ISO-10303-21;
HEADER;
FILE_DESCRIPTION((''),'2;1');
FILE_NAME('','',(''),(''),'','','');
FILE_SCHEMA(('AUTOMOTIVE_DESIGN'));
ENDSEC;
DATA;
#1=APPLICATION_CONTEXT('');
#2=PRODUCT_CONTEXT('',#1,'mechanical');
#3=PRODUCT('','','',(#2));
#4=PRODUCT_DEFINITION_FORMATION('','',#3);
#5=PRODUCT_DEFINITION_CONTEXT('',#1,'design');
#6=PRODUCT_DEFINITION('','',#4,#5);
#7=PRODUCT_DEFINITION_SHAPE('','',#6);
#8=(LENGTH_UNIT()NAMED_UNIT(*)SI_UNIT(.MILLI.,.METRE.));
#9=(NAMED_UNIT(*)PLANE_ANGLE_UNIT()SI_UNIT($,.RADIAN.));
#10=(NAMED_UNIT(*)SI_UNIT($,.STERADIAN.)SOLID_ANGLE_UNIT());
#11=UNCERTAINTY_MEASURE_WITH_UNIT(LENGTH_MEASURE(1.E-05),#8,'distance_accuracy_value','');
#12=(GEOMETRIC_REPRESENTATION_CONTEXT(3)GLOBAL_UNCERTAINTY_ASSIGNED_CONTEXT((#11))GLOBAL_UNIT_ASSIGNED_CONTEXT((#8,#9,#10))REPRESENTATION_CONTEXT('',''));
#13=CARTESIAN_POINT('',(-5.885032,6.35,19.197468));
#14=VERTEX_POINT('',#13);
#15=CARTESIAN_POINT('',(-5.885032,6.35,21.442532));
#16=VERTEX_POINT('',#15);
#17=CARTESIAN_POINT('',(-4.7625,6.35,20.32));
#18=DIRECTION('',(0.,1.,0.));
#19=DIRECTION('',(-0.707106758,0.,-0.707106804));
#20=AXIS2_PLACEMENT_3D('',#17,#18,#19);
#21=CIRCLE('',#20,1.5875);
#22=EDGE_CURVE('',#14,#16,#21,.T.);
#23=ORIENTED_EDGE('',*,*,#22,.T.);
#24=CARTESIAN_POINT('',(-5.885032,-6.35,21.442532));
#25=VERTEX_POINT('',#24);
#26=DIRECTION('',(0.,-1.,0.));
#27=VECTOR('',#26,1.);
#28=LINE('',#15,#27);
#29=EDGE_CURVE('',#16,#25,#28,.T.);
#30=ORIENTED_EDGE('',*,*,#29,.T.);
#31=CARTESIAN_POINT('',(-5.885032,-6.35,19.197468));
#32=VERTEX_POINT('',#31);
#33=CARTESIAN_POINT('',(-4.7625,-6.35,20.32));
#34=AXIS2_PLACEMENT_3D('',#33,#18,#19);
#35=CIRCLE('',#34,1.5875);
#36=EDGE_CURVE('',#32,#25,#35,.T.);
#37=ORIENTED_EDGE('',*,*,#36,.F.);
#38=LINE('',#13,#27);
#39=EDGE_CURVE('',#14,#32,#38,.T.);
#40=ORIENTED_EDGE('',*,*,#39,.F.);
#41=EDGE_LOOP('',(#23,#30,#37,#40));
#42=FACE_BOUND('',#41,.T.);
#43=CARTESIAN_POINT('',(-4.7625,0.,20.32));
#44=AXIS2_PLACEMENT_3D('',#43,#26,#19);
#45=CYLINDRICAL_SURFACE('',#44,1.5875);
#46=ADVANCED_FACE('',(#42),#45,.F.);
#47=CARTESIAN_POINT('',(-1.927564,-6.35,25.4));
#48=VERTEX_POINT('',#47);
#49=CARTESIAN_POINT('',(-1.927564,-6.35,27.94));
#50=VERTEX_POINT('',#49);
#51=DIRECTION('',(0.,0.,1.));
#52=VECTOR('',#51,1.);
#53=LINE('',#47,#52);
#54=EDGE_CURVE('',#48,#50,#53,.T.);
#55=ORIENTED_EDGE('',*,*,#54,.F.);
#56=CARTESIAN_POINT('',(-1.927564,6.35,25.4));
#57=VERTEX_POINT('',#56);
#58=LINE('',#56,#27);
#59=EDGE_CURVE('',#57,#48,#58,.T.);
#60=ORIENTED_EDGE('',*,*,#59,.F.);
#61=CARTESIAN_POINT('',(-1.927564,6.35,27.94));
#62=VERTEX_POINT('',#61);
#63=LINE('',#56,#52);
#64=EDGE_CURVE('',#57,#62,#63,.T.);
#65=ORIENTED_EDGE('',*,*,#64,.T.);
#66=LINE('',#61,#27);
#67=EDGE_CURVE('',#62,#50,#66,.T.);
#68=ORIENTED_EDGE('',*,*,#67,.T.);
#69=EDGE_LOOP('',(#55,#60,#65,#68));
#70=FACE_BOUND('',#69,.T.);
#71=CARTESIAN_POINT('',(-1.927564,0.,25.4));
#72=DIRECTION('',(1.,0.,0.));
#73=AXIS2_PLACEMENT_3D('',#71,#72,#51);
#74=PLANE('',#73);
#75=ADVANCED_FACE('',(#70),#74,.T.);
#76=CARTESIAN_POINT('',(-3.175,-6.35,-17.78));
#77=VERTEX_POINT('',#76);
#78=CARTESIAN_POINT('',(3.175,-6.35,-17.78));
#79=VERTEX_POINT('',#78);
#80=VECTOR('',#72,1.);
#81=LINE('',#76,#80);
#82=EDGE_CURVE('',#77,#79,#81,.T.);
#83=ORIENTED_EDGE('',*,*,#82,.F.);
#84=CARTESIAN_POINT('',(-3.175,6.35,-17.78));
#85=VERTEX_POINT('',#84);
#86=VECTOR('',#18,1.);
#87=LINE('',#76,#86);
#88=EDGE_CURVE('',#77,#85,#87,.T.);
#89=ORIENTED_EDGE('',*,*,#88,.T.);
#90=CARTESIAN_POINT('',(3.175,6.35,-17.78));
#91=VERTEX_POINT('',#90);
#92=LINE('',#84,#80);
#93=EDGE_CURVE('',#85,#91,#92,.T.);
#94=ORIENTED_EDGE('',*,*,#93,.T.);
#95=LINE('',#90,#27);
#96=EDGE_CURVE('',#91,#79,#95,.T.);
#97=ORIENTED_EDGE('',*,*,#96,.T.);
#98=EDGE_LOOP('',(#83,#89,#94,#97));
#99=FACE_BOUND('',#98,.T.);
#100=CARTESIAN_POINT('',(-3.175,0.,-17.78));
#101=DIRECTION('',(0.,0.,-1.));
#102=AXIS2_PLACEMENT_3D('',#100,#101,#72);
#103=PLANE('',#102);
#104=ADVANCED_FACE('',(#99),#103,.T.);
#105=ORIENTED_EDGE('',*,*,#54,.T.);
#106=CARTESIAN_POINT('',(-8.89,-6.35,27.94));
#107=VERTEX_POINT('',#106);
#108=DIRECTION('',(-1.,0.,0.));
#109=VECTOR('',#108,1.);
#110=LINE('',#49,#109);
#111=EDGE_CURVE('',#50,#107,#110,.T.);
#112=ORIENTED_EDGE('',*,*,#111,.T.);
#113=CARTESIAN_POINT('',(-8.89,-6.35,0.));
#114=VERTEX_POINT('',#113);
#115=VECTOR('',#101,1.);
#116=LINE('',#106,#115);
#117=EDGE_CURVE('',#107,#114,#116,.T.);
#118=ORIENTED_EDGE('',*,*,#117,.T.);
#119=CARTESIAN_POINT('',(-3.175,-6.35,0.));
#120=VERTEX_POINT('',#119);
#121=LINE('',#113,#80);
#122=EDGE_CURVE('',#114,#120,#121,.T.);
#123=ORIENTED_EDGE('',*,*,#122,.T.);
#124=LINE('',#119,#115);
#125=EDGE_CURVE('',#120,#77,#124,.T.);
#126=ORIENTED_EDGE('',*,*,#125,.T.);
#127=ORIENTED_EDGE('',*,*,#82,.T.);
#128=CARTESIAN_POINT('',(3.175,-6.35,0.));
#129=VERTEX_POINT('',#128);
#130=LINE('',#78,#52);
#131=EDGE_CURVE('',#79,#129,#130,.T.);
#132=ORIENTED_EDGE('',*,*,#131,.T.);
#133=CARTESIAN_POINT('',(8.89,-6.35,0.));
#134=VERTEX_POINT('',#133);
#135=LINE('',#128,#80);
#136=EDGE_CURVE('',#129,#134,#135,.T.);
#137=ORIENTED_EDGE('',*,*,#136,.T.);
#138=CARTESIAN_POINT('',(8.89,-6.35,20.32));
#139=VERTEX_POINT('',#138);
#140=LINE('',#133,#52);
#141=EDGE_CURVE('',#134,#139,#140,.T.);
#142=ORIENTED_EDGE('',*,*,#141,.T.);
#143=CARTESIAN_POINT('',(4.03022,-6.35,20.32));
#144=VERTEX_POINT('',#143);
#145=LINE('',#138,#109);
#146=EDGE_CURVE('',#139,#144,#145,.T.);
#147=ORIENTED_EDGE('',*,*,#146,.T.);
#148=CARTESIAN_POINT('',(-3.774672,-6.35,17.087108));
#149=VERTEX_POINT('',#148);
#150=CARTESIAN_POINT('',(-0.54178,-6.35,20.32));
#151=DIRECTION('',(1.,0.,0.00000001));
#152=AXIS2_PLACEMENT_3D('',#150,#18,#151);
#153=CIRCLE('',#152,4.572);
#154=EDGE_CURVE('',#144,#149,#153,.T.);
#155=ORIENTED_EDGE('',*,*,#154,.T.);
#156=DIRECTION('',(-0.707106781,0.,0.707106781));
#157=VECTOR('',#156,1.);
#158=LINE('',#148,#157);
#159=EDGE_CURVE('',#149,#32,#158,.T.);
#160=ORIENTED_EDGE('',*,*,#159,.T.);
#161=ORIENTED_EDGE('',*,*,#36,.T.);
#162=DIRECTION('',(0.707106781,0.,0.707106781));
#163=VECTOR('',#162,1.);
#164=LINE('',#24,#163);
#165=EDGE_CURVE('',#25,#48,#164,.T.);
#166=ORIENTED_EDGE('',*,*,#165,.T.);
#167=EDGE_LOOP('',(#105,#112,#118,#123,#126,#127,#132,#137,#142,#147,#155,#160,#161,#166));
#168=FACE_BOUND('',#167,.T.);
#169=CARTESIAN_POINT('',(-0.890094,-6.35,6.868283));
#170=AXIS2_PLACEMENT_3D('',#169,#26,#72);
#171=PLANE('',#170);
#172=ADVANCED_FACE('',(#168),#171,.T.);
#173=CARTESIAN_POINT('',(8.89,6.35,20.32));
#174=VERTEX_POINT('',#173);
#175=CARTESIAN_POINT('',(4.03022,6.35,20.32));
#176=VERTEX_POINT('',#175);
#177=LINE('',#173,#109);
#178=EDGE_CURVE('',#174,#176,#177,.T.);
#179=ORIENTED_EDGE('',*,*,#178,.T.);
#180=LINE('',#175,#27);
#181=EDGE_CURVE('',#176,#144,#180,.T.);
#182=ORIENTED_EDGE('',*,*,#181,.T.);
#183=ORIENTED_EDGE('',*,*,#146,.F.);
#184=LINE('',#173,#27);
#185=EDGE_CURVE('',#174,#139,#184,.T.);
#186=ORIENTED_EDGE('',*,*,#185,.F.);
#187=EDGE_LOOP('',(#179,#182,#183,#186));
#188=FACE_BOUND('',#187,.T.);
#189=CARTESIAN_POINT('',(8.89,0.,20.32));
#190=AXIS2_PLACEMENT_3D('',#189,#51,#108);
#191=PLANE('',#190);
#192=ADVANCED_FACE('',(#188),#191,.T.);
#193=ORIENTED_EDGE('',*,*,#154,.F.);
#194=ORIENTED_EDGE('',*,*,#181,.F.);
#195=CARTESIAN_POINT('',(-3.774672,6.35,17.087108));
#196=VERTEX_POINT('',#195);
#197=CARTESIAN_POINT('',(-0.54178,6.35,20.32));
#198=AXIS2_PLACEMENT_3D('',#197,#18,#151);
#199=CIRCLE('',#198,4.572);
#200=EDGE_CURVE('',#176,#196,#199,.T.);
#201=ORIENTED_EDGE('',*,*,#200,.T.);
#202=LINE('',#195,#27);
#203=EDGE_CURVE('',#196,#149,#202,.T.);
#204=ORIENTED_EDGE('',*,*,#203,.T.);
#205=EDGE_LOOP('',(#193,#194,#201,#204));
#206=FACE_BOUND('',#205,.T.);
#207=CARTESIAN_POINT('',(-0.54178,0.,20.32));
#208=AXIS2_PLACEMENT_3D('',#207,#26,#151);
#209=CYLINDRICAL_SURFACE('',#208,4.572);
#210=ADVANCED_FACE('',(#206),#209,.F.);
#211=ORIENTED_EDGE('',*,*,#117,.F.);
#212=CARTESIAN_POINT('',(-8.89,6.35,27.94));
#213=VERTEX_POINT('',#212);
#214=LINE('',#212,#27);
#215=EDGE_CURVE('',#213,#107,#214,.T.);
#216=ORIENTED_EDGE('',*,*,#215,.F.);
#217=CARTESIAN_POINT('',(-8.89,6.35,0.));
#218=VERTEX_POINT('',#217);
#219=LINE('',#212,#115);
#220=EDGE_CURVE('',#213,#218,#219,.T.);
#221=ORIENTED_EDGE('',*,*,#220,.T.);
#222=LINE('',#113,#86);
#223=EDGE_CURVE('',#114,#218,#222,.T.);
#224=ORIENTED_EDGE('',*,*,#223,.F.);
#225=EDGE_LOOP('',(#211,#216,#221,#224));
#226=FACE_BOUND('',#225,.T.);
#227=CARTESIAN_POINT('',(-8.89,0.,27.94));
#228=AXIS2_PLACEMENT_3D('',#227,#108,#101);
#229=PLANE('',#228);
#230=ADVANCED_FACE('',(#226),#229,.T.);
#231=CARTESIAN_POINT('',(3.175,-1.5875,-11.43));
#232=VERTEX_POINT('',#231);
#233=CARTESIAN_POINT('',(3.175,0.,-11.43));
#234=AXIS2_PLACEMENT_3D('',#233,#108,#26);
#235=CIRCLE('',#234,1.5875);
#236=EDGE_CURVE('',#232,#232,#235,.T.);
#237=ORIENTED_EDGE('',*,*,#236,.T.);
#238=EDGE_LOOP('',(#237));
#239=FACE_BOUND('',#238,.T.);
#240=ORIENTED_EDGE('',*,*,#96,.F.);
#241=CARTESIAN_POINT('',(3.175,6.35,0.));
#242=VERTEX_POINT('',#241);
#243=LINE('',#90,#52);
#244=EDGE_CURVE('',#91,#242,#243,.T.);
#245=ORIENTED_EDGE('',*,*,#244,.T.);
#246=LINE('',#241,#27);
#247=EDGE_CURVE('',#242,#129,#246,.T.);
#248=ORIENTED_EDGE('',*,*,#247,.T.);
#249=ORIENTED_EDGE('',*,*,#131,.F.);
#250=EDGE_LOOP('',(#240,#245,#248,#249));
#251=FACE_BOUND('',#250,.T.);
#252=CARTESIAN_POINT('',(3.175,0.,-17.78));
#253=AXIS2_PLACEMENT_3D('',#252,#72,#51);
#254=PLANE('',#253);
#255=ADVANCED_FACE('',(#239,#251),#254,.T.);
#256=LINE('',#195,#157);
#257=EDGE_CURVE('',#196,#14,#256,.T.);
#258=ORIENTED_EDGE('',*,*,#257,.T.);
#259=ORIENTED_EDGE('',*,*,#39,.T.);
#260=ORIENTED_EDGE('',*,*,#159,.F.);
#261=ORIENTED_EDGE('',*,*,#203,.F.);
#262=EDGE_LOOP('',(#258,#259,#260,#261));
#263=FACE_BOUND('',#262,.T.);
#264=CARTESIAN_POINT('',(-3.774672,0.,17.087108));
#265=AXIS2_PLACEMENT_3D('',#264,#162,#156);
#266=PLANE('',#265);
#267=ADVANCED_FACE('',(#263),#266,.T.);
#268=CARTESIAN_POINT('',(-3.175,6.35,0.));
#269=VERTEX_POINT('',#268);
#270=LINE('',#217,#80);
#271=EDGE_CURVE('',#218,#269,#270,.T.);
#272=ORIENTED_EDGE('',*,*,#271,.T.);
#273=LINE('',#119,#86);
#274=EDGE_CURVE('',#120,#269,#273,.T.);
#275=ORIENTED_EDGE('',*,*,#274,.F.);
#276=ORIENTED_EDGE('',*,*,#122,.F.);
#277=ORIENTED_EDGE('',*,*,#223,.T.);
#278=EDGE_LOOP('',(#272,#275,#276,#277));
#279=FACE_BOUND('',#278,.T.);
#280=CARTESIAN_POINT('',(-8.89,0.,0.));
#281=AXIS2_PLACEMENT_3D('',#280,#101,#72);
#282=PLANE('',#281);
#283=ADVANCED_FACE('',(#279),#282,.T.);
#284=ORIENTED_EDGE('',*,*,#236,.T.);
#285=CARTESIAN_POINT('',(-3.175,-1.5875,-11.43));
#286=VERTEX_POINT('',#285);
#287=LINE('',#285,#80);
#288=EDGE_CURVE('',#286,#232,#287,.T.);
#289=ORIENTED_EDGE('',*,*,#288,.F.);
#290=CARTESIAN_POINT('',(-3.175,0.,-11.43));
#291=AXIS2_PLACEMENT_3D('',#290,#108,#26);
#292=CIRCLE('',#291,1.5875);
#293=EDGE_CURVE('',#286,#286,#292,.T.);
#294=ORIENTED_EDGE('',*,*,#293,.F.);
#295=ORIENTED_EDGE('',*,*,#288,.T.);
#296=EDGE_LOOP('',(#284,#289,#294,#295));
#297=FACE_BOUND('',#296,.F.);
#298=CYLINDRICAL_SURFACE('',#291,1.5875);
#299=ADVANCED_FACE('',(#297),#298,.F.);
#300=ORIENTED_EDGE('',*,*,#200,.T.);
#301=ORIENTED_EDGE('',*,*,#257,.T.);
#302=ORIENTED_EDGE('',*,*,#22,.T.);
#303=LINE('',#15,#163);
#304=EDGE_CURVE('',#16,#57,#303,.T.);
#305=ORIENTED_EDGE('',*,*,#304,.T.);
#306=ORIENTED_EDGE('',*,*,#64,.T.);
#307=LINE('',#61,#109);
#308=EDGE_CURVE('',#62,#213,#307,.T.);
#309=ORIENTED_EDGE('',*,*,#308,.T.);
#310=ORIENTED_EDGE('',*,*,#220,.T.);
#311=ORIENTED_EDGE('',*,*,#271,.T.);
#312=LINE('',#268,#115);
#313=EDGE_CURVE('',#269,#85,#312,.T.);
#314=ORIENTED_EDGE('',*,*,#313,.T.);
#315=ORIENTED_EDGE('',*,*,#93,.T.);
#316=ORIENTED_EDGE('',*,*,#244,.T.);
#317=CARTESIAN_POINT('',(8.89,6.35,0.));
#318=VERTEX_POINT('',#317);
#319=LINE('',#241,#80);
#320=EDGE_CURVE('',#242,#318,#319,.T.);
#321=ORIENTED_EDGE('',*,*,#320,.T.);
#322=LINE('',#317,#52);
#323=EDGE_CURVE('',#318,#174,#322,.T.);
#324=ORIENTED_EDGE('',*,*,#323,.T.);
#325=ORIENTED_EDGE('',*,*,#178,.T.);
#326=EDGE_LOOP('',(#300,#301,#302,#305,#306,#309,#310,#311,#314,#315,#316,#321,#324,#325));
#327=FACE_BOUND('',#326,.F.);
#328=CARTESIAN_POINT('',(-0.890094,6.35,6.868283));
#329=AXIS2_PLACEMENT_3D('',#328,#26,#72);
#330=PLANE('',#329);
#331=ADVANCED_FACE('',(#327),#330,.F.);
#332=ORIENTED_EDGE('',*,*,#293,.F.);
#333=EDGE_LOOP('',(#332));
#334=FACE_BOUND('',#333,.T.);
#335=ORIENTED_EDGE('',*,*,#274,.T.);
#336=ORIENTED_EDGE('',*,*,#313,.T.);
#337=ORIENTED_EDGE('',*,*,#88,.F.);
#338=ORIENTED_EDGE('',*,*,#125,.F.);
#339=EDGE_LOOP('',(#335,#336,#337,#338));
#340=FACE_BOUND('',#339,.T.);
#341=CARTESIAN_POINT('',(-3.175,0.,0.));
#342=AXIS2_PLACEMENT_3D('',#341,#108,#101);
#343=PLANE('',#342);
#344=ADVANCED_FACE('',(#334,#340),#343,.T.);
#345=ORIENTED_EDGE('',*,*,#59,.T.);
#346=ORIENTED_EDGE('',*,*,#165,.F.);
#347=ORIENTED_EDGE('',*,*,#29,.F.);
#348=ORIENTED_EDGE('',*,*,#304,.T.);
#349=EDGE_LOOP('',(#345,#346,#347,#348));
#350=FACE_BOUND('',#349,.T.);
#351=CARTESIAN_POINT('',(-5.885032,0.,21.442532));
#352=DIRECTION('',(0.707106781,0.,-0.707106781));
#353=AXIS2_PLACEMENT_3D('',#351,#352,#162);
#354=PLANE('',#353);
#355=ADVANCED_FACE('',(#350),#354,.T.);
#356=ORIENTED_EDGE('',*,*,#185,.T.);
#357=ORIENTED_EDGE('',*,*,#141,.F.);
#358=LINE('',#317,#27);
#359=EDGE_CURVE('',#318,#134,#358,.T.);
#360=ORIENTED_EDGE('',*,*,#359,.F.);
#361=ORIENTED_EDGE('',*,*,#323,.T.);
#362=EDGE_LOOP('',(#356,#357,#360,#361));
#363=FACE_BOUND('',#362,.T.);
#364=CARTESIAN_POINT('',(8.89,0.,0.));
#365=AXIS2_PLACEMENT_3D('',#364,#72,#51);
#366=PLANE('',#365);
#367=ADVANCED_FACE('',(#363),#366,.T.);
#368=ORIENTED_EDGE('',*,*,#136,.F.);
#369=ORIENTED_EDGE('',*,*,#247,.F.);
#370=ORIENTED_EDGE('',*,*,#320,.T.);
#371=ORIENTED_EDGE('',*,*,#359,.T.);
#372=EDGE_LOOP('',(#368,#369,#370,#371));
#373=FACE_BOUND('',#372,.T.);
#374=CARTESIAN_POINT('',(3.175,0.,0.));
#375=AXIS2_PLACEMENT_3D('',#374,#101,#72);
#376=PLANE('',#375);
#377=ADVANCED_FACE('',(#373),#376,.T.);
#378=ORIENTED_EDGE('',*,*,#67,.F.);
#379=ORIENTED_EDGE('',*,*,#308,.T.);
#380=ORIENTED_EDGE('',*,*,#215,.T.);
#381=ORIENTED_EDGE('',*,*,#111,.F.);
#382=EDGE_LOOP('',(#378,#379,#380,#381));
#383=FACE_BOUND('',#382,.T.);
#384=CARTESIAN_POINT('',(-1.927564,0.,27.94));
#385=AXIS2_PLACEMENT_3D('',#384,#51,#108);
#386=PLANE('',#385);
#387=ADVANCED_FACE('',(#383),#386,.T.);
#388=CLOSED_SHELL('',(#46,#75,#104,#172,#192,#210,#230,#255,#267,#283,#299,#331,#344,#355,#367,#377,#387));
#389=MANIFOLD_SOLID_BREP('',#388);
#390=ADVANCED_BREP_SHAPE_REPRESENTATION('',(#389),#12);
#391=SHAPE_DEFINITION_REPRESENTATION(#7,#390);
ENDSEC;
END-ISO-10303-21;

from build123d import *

# Parameters (mm, degrees)
F1_DEPTH = 6.35
F2_R     = 1.5875
F3_DEPTH = 12.066


with BuildPart() as f1:
    # F0 (on Front) → F1 (new body, symmetric)
    with BuildSketch(Plane.XZ):
        with BuildLine():
            Line((-3.175, -17.78), (3.175, -17.78))
            Line((3.175, -17.78), (3.175, 0))
            Line((3.175, 0), (8.89, 0))
            Line((8.89, 0), (8.89, 20.32))
            Line((8.89, 20.32), (4.03022, 20.32))
            ThreePointArc((4.03022, 20.32), (1.207849, 16.096023), (-3.774672, 17.087108))
            Line((-3.774672, 17.087108), (-5.885032, 19.197468))
            ThreePointArc((-5.885032, 19.197468), (-6.35, 20.32), (-5.885032, 21.442532))
            Line((-5.885032, 21.442532), (-1.927564, 25.4))
            Line((-1.927564, 25.4), (-1.927564, 27.94))
            Line((-1.927564, 27.94), (-8.89, 27.94))
            Line((-8.89, 27.94), (-8.89, 0))
            Line((-8.89, 0), (-3.175, 0))
            Line((-3.175, 0), (-3.175, -17.78))
        make_face()
    extrude(amount=F1_DEPTH, both=True)

    # F2 (on face) → F3 (cut, through all)
    with BuildSketch(Plane(origin=(-3.175, 0, 0), x_dir=(0, -1, 0), z_dir=(-1, 0, 0))):
        with Locations((0, -11.43)):
            Circle(F2_R)
    extrude(amount=-F3_DEPTH, mode=Mode.SUBTRACT)


solid = f1.part
